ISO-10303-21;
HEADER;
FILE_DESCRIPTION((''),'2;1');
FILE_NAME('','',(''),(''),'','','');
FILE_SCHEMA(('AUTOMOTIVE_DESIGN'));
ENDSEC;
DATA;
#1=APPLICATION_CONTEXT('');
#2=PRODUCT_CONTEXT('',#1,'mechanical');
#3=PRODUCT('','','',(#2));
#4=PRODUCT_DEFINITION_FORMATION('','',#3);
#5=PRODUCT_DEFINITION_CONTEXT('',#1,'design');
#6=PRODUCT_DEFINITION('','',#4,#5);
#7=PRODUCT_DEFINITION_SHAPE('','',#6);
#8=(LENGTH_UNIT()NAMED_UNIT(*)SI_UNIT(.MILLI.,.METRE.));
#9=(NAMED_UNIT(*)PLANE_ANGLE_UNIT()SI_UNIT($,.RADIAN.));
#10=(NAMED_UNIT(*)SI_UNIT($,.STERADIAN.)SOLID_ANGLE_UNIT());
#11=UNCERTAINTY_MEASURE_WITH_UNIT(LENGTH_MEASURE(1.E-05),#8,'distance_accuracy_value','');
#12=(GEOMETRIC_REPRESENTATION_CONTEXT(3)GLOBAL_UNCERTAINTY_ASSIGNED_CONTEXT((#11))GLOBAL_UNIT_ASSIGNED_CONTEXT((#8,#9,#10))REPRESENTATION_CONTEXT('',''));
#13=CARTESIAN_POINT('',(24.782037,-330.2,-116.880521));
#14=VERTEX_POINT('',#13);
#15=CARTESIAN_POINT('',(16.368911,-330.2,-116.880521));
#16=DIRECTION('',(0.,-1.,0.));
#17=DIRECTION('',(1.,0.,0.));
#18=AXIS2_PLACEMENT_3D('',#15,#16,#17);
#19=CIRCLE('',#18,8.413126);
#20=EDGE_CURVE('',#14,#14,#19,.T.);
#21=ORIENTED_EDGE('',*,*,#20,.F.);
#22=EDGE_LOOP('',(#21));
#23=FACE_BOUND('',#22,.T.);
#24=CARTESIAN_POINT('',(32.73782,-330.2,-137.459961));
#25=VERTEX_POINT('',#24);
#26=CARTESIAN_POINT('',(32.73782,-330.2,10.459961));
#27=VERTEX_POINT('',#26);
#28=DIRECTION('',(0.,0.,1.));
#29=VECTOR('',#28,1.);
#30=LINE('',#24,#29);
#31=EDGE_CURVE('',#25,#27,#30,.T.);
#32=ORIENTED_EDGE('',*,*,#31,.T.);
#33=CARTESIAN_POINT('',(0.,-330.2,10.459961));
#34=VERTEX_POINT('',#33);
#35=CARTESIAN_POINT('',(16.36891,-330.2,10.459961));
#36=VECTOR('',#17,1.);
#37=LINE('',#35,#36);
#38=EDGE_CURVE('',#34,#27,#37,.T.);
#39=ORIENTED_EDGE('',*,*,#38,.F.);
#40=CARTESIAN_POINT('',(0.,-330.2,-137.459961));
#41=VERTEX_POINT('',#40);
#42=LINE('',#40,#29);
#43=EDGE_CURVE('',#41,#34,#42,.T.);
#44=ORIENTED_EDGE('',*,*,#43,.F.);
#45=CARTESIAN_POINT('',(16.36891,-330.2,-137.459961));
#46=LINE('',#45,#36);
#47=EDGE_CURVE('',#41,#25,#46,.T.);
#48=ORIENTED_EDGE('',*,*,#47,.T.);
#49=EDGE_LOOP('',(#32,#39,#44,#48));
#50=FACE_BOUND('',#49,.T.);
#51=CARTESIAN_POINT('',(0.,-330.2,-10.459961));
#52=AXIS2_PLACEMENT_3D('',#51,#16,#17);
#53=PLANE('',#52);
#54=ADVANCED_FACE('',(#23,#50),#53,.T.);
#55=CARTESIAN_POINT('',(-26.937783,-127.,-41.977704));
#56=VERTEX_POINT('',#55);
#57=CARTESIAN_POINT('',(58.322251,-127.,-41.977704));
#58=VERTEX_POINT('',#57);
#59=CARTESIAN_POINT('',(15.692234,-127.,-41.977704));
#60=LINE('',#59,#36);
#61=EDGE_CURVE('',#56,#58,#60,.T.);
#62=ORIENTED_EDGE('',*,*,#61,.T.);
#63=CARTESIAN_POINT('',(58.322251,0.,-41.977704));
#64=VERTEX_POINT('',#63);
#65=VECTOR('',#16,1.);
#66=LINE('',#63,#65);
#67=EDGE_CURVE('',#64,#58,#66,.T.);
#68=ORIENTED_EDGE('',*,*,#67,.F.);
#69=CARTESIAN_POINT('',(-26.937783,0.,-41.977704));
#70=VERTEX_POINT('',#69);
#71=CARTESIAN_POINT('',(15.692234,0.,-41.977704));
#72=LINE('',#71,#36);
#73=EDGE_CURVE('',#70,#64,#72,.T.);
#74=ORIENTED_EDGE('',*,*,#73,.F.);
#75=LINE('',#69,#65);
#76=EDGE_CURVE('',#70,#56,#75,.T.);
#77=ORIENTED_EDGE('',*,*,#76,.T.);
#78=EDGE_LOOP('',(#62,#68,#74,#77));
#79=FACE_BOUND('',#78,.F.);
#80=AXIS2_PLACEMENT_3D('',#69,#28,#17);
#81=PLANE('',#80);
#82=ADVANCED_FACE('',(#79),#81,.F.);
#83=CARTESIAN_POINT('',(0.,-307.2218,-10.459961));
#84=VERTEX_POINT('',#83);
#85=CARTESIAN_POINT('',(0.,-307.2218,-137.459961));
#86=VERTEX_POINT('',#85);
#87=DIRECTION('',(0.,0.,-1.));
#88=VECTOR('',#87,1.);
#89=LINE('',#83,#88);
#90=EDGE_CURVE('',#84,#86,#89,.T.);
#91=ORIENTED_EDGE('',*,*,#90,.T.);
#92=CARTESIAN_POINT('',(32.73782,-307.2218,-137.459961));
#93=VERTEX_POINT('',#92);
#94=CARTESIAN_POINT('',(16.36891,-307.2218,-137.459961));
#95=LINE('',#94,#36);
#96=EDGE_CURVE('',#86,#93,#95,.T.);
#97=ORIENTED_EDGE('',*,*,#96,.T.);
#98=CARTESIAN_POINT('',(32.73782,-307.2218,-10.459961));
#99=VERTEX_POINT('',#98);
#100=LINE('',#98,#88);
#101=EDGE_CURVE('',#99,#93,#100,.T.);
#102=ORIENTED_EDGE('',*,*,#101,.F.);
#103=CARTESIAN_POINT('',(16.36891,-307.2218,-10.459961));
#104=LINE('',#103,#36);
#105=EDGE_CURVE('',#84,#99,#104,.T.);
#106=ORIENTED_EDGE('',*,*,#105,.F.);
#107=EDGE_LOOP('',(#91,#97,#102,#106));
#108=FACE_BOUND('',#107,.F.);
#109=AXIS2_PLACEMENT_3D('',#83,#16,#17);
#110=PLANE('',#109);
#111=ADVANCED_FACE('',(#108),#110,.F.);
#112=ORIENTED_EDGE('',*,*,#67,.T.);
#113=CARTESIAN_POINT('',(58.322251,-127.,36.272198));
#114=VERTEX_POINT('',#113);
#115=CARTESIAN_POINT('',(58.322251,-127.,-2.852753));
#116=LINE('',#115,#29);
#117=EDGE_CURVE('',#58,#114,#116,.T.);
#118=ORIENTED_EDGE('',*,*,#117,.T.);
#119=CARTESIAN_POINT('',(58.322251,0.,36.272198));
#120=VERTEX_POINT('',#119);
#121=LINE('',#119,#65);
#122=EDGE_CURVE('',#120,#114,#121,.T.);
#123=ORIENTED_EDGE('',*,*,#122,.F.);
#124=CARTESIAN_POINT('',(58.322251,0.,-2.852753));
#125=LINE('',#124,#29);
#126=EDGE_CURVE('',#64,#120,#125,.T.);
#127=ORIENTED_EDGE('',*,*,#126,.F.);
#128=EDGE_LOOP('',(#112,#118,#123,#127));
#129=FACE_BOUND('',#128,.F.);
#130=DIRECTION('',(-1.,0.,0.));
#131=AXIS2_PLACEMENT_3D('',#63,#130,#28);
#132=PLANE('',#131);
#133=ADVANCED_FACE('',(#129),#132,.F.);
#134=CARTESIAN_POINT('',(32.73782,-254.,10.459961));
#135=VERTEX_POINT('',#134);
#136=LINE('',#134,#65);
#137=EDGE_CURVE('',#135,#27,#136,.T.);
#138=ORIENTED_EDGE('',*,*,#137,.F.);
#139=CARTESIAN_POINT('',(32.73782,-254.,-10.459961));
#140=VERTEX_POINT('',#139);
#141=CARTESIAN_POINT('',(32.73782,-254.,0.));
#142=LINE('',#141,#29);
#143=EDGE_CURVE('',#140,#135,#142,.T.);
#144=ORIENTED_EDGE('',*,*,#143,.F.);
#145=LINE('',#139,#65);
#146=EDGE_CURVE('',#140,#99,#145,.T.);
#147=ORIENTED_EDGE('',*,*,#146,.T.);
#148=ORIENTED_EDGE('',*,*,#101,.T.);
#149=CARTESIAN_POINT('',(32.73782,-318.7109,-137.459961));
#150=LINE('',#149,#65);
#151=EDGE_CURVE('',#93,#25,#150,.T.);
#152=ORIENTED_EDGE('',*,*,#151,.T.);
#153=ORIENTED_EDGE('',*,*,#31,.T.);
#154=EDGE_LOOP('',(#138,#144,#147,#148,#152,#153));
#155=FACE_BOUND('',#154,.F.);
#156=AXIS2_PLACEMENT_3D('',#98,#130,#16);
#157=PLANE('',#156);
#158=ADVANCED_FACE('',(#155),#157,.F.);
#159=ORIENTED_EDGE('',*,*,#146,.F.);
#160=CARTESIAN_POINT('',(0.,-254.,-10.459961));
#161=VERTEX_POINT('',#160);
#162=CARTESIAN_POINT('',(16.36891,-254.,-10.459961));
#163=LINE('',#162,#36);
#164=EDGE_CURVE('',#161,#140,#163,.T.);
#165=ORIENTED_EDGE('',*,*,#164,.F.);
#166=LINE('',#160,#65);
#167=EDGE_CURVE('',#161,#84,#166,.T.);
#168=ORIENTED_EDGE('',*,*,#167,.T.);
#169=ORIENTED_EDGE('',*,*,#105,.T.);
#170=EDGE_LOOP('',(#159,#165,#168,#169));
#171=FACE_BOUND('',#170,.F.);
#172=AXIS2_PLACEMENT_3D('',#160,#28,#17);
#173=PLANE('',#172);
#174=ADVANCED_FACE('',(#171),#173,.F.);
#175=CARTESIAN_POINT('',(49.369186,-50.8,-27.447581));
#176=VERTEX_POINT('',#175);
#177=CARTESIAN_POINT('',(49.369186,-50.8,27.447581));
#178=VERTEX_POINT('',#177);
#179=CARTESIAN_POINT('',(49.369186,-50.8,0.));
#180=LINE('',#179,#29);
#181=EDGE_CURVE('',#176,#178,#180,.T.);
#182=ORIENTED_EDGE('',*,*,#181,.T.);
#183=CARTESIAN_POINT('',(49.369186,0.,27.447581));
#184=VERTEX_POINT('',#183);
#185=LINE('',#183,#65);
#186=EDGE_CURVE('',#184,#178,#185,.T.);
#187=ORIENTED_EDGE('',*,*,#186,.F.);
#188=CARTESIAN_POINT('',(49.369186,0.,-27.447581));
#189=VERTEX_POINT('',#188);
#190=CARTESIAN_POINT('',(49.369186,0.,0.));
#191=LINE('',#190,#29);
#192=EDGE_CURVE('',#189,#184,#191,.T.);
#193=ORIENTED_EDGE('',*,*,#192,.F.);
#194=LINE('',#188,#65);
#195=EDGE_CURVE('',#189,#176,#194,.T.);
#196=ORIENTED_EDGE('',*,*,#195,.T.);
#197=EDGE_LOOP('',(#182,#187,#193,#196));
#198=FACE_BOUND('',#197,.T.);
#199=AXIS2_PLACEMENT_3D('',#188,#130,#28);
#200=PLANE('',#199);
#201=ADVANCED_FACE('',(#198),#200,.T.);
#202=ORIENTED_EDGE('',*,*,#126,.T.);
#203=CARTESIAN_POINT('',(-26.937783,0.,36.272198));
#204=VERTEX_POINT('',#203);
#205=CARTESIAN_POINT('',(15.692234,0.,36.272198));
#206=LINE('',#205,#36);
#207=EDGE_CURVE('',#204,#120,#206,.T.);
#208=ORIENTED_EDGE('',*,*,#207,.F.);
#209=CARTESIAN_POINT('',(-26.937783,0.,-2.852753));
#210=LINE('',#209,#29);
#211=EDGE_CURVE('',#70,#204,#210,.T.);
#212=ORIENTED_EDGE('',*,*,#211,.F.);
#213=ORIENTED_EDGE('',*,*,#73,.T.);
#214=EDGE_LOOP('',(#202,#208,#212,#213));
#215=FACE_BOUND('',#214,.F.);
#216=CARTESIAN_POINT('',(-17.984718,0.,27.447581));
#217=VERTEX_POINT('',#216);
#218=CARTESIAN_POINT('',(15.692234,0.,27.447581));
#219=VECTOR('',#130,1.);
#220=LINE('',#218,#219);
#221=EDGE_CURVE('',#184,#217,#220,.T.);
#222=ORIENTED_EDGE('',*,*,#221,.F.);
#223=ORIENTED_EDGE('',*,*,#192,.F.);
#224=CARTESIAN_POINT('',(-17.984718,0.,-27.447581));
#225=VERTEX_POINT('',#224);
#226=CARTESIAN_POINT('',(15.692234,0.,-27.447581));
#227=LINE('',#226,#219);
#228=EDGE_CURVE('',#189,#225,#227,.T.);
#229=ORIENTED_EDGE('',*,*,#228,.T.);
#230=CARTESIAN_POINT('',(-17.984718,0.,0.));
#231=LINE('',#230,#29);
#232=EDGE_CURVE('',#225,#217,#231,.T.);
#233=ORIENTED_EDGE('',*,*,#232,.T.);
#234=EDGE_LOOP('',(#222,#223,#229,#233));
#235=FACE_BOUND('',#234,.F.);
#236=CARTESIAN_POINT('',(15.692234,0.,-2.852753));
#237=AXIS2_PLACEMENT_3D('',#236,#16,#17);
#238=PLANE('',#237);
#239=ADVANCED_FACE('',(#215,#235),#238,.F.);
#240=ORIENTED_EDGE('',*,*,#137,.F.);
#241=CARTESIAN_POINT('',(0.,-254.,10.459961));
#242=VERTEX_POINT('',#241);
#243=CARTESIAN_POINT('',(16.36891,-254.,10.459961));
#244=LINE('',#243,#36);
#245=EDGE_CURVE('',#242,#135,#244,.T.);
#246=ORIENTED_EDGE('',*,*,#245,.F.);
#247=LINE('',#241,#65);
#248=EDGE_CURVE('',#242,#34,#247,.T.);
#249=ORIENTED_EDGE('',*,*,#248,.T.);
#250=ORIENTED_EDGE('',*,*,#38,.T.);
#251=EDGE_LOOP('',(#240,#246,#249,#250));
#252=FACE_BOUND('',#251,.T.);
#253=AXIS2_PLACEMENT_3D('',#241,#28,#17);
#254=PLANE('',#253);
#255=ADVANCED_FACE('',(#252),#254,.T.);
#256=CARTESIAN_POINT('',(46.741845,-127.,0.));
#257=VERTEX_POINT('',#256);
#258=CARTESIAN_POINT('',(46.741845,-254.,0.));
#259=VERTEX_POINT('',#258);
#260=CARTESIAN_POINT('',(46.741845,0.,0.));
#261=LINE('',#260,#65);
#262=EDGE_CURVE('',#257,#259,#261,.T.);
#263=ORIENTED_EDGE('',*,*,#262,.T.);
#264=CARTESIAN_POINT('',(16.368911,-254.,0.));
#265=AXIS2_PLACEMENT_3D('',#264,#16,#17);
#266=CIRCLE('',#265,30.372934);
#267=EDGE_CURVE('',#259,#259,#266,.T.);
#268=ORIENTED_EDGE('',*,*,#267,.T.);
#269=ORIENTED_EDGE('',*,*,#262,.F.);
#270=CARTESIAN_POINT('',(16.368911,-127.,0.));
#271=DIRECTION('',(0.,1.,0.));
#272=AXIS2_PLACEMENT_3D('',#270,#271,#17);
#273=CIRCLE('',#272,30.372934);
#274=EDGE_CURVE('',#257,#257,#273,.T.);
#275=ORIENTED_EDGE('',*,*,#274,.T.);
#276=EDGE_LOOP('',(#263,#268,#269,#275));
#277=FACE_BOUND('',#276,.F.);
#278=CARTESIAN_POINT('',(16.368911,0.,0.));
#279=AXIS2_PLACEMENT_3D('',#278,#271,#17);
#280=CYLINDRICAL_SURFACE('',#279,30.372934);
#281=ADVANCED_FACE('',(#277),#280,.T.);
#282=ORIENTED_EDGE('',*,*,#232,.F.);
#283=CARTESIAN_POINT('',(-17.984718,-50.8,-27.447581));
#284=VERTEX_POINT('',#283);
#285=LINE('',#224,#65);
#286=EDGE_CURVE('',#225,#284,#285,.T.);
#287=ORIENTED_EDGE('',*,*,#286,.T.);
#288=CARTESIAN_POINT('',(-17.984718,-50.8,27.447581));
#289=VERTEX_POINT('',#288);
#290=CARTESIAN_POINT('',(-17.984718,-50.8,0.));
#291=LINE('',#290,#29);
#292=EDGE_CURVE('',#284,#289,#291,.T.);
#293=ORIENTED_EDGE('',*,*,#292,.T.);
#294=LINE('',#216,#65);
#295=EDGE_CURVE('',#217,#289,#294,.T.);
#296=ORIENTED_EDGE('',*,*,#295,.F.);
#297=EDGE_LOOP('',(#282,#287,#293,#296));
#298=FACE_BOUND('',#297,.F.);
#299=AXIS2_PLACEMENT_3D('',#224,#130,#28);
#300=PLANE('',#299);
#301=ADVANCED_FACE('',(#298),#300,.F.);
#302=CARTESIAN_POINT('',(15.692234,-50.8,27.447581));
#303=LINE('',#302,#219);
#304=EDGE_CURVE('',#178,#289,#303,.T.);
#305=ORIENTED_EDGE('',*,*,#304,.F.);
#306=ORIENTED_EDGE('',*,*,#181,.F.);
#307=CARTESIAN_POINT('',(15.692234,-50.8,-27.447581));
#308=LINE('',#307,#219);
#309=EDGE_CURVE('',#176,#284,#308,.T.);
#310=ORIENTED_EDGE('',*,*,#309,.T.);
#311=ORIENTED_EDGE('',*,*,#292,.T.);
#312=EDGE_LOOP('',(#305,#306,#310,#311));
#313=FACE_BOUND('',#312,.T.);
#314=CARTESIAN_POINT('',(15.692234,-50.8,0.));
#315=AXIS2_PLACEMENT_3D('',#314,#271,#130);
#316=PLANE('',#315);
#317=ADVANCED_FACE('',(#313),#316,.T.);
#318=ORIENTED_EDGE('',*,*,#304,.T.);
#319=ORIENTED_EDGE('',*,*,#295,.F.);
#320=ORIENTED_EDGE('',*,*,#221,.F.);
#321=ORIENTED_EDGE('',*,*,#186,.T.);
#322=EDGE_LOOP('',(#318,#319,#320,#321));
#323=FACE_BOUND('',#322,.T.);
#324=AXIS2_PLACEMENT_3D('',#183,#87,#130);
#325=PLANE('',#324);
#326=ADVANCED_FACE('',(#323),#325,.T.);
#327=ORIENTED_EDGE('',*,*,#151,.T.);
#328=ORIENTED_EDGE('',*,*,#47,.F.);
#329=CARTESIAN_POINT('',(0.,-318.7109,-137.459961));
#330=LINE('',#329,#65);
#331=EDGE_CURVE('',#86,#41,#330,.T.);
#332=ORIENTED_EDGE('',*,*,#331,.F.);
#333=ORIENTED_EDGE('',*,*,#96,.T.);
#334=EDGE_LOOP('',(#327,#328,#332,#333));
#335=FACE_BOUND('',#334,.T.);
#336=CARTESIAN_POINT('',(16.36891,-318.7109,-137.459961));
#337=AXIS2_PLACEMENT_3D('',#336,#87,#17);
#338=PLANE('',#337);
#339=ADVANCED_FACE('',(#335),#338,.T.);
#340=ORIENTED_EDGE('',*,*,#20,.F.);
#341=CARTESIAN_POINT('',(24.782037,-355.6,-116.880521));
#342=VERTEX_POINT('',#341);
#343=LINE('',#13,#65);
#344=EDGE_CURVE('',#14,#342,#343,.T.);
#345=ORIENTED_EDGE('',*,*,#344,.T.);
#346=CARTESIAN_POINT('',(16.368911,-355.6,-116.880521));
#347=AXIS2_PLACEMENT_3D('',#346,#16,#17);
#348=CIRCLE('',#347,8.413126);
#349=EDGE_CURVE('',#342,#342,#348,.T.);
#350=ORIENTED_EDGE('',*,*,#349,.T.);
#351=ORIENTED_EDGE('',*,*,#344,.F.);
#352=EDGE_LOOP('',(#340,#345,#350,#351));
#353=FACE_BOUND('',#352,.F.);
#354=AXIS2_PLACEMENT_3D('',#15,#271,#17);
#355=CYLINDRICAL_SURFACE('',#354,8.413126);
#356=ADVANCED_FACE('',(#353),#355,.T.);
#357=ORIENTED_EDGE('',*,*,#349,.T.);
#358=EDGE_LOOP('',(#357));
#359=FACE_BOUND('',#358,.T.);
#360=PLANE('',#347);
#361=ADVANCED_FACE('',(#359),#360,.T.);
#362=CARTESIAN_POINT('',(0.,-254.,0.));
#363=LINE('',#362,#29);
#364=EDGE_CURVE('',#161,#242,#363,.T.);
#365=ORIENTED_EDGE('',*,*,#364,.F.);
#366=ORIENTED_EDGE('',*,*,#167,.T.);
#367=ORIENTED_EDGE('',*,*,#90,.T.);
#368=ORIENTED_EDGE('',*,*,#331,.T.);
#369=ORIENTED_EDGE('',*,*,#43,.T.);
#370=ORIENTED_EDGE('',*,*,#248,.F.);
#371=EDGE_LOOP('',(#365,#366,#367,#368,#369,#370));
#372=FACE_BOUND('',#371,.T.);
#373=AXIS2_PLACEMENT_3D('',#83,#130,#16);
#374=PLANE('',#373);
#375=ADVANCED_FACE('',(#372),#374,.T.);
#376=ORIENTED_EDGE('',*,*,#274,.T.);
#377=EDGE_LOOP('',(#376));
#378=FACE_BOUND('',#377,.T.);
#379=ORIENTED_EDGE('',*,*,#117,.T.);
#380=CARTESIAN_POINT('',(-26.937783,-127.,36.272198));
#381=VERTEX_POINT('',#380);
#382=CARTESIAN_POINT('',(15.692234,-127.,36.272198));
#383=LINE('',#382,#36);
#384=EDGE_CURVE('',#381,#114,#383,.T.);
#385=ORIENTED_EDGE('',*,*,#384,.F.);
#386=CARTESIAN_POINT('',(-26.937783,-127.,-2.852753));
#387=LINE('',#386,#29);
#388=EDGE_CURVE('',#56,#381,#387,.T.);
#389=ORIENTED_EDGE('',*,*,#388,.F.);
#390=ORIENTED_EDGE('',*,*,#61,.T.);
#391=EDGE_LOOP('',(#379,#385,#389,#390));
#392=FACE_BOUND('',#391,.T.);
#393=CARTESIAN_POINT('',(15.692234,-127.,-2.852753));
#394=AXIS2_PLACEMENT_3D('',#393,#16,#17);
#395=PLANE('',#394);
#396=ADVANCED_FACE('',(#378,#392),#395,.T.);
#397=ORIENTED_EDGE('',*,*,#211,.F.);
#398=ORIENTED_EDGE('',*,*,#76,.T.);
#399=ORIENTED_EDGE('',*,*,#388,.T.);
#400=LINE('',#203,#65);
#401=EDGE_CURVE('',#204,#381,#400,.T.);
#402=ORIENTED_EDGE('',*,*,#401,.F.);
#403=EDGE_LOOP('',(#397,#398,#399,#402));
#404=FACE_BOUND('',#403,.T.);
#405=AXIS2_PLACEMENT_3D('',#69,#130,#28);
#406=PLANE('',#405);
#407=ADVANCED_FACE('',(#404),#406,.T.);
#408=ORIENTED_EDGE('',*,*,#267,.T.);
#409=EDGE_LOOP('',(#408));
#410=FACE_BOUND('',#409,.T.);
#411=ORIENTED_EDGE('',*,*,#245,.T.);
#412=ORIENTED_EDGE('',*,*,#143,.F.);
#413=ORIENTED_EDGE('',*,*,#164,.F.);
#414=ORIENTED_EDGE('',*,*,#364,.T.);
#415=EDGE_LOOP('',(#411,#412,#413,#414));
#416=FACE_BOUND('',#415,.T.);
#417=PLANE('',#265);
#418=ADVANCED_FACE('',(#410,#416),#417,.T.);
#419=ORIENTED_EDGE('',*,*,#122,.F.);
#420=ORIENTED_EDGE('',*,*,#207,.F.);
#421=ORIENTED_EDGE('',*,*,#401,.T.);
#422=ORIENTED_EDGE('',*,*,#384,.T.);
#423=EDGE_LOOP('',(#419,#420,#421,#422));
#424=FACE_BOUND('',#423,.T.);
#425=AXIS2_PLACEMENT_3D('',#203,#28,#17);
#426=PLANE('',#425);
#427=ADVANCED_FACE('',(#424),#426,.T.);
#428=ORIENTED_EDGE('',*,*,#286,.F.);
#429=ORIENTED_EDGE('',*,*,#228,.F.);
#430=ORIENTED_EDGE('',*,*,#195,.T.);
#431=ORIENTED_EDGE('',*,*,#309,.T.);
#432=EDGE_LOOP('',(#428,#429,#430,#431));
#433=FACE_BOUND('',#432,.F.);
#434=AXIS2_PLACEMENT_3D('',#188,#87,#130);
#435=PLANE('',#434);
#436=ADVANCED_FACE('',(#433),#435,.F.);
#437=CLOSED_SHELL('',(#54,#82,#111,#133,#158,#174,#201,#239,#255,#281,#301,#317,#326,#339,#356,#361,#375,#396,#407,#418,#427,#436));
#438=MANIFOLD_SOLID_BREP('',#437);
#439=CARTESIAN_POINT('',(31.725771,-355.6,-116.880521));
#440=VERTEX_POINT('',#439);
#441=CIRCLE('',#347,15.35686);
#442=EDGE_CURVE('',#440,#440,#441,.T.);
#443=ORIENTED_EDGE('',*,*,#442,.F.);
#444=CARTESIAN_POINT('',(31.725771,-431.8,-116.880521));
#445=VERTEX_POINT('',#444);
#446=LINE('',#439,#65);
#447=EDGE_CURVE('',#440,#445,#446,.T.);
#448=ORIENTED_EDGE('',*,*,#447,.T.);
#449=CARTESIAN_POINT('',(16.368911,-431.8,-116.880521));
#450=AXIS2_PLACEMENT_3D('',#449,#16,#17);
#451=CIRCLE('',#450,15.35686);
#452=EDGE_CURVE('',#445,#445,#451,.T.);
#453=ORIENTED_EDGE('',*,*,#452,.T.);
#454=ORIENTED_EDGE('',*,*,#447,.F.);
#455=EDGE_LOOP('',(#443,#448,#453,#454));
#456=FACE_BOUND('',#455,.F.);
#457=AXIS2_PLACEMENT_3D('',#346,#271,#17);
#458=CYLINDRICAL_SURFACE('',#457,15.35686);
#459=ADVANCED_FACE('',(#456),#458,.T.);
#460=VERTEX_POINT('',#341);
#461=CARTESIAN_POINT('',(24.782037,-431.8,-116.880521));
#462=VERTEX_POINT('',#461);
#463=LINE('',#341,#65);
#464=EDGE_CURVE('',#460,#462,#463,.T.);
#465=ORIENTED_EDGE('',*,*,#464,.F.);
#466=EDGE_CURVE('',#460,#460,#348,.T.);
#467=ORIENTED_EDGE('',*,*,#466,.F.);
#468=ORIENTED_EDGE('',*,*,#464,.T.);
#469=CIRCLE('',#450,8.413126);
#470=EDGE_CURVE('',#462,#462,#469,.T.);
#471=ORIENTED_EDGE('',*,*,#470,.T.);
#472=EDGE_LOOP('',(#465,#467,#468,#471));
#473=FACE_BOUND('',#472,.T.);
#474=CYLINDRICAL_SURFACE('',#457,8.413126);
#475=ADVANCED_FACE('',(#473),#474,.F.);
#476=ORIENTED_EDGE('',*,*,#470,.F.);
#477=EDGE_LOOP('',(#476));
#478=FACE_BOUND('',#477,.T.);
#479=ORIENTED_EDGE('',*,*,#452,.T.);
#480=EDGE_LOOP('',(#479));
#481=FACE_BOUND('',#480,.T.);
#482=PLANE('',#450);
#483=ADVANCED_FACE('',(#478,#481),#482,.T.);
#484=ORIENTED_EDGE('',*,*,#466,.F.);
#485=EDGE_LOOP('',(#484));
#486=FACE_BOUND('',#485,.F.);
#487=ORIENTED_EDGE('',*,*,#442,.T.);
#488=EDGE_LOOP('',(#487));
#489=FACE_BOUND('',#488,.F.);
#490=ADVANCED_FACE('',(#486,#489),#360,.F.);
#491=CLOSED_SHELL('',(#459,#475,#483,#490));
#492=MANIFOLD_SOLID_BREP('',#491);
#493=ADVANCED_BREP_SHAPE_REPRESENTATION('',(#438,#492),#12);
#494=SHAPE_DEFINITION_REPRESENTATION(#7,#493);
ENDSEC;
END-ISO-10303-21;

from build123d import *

# Parameters (mm, degrees)
F1_R      = 30.372934
F2_DEPTH  = 254
F0_W      = 85.260034
F0_H      = 78.249902
F3_DEPTH  = 127
F4_W      = 32.737821
F4_H      = 20.919922
F5_DEPTH  = 76.2
F6_W      = 32.737821
F6_H      = 22.9782
F7_DEPTH  = 127
F8_R      = 8.413126
F9_DEPTH  = 25.4
F10_R     = 15.35686
F10_R_2   = 8.413126
F11_DEPTH = 76.2
F12_W     = 67.353904
F12_H     = 54.895162
F13_DEPTH = 50.8


with BuildPart() as f2:
    # F1 (on face) → F2 (new body)
    with BuildSketch(Plane.XZ):
        with Locations((16.368911, 0)):
            Circle(F1_R)
    extrude(amount=F2_DEPTH)

    # F0 (on Front) → F3 (join)
    with BuildSketch(Plane.XZ):
        with Locations((15.692234, -2.852753)):
            Rectangle(F0_W, F0_H)
    extrude(amount=F3_DEPTH)

    # F4 (on face) → F5 (join)
    with BuildSketch(Plane.XZ.offset(254)):
        with Locations((16.36891, 0)):
            Rectangle(F4_W, F4_H)
    extrude(amount=F5_DEPTH)

    # F6 (on face) → F7 (join)
    with BuildSketch(Plane(origin=(0, 0, -10.459961), x_dir=(1, 0, 0), z_dir=(0, 0, -1))):
        with Locations((16.36891, 318.7109)):
            Rectangle(F6_W, F6_H)
    extrude(amount=F7_DEPTH)

    # F8 (on face) → F9 (join)
    with BuildSketch(Plane.XZ.offset(330.2)):
        with Locations((16.368911, -116.880521)):
            Circle(F8_R)
    extrude(amount=F9_DEPTH)

    # F12 (on face) → F13 (cut)
    with BuildSketch(Plane(origin=(0, 0, 0), x_dir=(-1, 0, 0), z_dir=(0, 1, 0))):
        with Locations((-15.692234, 0)):
            Rectangle(F12_W, F12_H)
    extrude(amount=-F13_DEPTH, mode=Mode.SUBTRACT)


with BuildPart() as f11:
    # F10 (on face) → F11 (new body)
    with BuildSketch(Plane.XZ.offset(355.6)):
        with Locations((16.368911, -116.880521)):
            Circle(F10_R)
        with Locations((16.368911, -116.880521)):
            Circle(F10_R_2, mode=Mode.SUBTRACT)
    extrude(amount=F11_DEPTH)


solid = Compound([f2.part, f11.part])
